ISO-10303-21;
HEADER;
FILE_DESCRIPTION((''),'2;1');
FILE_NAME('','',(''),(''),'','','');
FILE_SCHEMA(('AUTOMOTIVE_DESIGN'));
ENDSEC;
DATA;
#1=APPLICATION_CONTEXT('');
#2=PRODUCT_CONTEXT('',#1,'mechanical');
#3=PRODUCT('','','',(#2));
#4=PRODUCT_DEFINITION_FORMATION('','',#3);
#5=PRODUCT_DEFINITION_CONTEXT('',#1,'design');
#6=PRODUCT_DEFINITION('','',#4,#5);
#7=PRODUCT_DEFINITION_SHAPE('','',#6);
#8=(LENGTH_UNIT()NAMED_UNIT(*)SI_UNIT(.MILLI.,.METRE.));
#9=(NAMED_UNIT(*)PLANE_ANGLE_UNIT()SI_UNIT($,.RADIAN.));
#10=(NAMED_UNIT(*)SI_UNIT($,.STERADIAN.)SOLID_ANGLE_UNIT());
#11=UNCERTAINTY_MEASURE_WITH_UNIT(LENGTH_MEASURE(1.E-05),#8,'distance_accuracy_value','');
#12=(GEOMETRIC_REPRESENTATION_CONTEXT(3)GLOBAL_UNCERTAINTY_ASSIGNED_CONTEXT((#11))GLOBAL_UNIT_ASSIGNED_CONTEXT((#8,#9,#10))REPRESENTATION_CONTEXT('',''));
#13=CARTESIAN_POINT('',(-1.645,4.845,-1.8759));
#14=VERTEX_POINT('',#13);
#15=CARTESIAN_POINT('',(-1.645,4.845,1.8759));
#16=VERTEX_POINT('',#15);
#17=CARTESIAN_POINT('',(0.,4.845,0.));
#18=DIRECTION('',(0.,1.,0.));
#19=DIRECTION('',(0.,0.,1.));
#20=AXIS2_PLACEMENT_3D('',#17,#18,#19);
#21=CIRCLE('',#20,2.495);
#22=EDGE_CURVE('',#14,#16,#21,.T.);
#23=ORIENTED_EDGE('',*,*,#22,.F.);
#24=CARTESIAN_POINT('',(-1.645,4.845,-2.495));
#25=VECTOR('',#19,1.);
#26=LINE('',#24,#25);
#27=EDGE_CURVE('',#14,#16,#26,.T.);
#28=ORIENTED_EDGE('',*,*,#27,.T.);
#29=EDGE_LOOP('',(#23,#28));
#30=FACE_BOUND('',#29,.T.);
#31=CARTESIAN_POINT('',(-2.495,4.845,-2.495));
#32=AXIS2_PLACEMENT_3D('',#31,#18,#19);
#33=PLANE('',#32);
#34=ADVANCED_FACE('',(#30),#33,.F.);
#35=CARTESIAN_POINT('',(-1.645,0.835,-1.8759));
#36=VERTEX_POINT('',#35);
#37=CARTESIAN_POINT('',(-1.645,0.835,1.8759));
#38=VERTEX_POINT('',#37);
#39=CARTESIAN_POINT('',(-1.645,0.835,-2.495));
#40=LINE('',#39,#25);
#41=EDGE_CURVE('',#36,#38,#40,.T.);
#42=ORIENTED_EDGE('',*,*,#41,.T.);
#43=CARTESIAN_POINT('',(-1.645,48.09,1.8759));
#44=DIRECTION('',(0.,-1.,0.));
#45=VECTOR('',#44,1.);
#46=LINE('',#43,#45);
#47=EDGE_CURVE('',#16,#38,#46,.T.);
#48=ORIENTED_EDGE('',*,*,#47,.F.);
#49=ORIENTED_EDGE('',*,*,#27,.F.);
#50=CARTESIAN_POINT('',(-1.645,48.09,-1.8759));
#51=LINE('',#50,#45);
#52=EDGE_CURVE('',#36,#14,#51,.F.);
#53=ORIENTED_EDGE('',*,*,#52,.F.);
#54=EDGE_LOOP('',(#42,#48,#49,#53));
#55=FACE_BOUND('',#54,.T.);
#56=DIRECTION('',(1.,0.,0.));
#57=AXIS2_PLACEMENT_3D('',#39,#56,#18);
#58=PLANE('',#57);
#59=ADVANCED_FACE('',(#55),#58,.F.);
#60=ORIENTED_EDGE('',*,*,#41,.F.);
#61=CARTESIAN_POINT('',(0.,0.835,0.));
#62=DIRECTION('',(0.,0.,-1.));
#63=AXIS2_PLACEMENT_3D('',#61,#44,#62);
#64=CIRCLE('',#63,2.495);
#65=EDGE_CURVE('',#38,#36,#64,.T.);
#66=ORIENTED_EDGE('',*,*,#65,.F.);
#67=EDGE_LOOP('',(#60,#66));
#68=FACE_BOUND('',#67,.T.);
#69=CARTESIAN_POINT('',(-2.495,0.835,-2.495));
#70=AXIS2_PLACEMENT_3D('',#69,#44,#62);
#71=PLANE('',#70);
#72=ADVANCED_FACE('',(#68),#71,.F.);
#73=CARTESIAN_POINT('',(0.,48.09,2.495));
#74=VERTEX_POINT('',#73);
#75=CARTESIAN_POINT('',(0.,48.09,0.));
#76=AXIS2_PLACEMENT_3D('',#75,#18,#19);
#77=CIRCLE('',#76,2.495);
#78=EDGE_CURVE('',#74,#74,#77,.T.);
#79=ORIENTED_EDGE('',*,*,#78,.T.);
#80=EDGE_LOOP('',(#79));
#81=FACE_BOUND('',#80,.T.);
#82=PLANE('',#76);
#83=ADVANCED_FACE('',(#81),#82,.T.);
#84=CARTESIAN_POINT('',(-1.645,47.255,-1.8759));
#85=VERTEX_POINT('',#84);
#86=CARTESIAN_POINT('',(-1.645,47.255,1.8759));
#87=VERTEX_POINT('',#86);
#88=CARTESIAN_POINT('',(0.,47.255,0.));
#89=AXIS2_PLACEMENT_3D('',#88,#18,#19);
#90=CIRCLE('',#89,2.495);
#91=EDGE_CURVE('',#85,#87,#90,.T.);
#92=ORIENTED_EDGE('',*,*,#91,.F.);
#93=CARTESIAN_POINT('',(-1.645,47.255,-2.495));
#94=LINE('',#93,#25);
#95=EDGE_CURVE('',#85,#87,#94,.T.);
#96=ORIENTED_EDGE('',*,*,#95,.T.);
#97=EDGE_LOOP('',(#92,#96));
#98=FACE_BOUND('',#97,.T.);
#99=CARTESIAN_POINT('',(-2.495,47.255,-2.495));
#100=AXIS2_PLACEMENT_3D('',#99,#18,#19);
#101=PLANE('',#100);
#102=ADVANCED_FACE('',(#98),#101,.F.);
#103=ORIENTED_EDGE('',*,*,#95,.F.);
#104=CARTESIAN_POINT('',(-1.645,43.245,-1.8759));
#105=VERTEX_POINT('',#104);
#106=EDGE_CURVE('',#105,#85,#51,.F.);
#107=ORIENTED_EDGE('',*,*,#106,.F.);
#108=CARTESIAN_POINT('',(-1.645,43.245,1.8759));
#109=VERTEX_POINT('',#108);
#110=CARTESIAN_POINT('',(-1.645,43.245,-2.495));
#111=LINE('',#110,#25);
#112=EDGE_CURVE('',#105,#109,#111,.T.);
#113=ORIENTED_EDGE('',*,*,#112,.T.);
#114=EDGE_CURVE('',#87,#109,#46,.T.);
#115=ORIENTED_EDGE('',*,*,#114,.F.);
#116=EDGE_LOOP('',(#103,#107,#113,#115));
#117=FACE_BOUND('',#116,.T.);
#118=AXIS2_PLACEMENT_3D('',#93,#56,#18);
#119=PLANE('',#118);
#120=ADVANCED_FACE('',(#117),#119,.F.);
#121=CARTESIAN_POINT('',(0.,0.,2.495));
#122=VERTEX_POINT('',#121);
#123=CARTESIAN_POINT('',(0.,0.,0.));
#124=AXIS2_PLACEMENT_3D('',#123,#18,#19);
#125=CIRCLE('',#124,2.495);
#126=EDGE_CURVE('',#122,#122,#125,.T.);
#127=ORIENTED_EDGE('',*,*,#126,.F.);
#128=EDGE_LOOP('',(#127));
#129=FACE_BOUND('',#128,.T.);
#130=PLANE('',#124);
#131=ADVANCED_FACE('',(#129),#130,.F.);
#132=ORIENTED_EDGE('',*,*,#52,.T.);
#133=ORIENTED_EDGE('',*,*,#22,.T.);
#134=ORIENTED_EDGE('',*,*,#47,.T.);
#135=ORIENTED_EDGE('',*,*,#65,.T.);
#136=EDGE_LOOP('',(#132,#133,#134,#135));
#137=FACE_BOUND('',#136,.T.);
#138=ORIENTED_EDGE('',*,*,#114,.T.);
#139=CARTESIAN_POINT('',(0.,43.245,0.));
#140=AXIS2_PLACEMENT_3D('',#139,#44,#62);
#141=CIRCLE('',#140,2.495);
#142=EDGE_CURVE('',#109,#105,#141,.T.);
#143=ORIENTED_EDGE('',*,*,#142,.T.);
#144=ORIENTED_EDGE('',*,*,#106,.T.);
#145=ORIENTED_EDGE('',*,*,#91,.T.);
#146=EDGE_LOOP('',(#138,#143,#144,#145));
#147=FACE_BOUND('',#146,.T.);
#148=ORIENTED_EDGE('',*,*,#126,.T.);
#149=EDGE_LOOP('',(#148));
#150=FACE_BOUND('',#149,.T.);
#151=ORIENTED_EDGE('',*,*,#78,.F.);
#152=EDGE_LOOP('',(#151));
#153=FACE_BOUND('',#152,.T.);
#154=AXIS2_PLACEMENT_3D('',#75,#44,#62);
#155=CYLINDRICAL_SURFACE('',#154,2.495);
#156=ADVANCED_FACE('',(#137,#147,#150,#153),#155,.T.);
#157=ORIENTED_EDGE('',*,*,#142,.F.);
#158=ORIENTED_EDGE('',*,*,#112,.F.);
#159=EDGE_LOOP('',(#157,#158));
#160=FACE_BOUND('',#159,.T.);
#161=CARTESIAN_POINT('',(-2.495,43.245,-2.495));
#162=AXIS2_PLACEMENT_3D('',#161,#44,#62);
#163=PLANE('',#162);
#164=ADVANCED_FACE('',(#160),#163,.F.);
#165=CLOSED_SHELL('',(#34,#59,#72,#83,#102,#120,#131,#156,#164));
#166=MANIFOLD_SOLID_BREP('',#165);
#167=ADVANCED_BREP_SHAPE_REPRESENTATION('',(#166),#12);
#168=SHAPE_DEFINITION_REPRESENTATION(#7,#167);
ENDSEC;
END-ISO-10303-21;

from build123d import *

# Parameters (mm, degrees)
SCHIZZO2_R                    = 2.495
ESTRUSIONE_ESTRUSIONE1_DEPTH  = 48.09
TAGLIO_ESTRUSIONE1_DEPTH      = 49.219271562
TAGLIO_ESTRUSIONE1_DEPTH_BACK = 49.219271562
SCHIZZO3_W                    = 0.85
SCHIZZO3_H                    = 4.01


with BuildPart() as part:
    # Schizzo2 → Estrusione-Estrusione1 (new body)
    with BuildSketch(Plane(origin=(0, 0, 0), x_dir=(1, 0, 0), z_dir=(0, 1, 0))):
        with Locations(Location((0, 0, 0), (0, 0, 270))):
            Circle(SCHIZZO2_R)
    extrude(amount=ESTRUSIONE_ESTRUSIONE1_DEPTH)

    # Schizzo3 → Taglio-Estrusione1 (cut, two sides: drawn at the far end of the back side and taken through both)
    with BuildSketch(Plane.XY.offset(-TAGLIO_ESTRUSIONE1_DEPTH_BACK)):
        with Locations((-2.07, 45.25)):
            Rectangle(SCHIZZO3_W, SCHIZZO3_H)
        with Locations((-2.07, 2.84)):
            Rectangle(SCHIZZO3_W, SCHIZZO3_H)
    extrude(amount=TAGLIO_ESTRUSIONE1_DEPTH + TAGLIO_ESTRUSIONE1_DEPTH_BACK, mode=Mode.SUBTRACT)


solid = part.part
